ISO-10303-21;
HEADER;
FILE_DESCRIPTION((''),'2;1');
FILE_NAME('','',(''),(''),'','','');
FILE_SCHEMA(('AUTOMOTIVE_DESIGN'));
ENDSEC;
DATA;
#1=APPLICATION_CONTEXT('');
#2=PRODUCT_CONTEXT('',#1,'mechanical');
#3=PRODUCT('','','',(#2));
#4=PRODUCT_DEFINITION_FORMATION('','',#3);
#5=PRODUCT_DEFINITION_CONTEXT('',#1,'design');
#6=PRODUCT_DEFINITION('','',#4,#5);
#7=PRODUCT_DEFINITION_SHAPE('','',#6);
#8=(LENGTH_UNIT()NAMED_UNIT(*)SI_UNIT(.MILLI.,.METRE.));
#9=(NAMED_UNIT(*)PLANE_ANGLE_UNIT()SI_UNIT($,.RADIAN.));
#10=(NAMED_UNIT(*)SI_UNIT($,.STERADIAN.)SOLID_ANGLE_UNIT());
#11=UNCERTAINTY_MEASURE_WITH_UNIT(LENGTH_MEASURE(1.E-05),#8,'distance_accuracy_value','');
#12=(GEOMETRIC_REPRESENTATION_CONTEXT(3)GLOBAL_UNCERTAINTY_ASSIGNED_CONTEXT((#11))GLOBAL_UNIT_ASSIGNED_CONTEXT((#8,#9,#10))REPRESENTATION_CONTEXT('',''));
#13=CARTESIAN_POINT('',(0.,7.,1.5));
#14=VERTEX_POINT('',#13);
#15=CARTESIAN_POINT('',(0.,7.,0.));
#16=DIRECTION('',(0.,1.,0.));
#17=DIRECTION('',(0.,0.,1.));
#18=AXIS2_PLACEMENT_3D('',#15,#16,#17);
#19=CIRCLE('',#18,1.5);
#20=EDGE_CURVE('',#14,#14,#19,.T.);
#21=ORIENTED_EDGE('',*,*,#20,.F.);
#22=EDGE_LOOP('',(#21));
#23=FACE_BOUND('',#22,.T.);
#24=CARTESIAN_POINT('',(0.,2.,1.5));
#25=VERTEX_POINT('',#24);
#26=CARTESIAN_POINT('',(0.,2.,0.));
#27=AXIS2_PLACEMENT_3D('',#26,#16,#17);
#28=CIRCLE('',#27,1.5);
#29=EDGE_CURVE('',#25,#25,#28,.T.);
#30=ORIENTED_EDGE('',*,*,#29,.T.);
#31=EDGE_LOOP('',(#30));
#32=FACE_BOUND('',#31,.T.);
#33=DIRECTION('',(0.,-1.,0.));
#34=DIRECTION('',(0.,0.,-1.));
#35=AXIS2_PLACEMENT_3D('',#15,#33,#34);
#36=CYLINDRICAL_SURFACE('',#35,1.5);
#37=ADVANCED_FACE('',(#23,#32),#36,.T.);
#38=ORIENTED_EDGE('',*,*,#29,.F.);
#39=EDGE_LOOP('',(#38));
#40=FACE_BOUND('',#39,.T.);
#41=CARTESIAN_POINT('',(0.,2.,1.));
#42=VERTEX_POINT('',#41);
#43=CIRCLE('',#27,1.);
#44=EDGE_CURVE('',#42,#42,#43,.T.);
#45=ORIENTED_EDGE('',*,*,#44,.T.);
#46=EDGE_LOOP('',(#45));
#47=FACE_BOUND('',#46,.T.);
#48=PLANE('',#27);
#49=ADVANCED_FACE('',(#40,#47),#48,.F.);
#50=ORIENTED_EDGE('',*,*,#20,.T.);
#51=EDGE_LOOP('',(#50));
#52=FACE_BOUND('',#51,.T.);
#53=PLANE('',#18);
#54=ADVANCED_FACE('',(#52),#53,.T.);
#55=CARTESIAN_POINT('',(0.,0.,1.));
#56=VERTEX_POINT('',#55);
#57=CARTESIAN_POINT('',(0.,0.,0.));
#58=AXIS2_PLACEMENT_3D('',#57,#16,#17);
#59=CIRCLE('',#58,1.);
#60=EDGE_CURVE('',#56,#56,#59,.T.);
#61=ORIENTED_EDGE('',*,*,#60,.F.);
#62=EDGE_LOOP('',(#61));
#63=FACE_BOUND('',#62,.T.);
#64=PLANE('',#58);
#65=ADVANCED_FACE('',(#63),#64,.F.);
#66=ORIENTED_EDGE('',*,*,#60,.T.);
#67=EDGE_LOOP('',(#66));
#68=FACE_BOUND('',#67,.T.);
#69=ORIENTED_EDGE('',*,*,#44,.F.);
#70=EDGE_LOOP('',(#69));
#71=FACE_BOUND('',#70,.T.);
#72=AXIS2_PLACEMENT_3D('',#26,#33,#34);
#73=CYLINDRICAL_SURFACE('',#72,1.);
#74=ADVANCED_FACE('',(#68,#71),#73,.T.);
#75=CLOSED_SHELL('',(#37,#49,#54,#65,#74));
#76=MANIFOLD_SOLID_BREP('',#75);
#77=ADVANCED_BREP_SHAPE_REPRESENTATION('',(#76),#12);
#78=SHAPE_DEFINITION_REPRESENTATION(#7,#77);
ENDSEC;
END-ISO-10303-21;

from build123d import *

# Parameters (mm, degrees)
SKIZZE1_R                       = 1
AUFSATZ_LINEAR_AUSTRAGEN1_DEPTH = 2
SKIZZE2_R                       = 1.5
AUFSATZ_LINEAR_AUSTRAGEN2_DEPTH = 5


with BuildPart() as part:
    # Skizze1 → Aufsatz-Linear austragen1 (new body)
    with BuildSketch(Plane(origin=(0, 0, 0), x_dir=(1, 0, 0), z_dir=(0, 1, 0))):
        Circle(SKIZZE1_R)
    extrude(amount=AUFSATZ_LINEAR_AUSTRAGEN1_DEPTH)

    # Skizze2 → Aufsatz-Linear austragen2 (add)
    with BuildSketch(Plane(origin=(0, 2, 0), x_dir=(1, 0, 0), z_dir=(0, 1, 0))):
        Circle(SKIZZE2_R)
    extrude(amount=AUFSATZ_LINEAR_AUSTRAGEN2_DEPTH)


solid = part.part
